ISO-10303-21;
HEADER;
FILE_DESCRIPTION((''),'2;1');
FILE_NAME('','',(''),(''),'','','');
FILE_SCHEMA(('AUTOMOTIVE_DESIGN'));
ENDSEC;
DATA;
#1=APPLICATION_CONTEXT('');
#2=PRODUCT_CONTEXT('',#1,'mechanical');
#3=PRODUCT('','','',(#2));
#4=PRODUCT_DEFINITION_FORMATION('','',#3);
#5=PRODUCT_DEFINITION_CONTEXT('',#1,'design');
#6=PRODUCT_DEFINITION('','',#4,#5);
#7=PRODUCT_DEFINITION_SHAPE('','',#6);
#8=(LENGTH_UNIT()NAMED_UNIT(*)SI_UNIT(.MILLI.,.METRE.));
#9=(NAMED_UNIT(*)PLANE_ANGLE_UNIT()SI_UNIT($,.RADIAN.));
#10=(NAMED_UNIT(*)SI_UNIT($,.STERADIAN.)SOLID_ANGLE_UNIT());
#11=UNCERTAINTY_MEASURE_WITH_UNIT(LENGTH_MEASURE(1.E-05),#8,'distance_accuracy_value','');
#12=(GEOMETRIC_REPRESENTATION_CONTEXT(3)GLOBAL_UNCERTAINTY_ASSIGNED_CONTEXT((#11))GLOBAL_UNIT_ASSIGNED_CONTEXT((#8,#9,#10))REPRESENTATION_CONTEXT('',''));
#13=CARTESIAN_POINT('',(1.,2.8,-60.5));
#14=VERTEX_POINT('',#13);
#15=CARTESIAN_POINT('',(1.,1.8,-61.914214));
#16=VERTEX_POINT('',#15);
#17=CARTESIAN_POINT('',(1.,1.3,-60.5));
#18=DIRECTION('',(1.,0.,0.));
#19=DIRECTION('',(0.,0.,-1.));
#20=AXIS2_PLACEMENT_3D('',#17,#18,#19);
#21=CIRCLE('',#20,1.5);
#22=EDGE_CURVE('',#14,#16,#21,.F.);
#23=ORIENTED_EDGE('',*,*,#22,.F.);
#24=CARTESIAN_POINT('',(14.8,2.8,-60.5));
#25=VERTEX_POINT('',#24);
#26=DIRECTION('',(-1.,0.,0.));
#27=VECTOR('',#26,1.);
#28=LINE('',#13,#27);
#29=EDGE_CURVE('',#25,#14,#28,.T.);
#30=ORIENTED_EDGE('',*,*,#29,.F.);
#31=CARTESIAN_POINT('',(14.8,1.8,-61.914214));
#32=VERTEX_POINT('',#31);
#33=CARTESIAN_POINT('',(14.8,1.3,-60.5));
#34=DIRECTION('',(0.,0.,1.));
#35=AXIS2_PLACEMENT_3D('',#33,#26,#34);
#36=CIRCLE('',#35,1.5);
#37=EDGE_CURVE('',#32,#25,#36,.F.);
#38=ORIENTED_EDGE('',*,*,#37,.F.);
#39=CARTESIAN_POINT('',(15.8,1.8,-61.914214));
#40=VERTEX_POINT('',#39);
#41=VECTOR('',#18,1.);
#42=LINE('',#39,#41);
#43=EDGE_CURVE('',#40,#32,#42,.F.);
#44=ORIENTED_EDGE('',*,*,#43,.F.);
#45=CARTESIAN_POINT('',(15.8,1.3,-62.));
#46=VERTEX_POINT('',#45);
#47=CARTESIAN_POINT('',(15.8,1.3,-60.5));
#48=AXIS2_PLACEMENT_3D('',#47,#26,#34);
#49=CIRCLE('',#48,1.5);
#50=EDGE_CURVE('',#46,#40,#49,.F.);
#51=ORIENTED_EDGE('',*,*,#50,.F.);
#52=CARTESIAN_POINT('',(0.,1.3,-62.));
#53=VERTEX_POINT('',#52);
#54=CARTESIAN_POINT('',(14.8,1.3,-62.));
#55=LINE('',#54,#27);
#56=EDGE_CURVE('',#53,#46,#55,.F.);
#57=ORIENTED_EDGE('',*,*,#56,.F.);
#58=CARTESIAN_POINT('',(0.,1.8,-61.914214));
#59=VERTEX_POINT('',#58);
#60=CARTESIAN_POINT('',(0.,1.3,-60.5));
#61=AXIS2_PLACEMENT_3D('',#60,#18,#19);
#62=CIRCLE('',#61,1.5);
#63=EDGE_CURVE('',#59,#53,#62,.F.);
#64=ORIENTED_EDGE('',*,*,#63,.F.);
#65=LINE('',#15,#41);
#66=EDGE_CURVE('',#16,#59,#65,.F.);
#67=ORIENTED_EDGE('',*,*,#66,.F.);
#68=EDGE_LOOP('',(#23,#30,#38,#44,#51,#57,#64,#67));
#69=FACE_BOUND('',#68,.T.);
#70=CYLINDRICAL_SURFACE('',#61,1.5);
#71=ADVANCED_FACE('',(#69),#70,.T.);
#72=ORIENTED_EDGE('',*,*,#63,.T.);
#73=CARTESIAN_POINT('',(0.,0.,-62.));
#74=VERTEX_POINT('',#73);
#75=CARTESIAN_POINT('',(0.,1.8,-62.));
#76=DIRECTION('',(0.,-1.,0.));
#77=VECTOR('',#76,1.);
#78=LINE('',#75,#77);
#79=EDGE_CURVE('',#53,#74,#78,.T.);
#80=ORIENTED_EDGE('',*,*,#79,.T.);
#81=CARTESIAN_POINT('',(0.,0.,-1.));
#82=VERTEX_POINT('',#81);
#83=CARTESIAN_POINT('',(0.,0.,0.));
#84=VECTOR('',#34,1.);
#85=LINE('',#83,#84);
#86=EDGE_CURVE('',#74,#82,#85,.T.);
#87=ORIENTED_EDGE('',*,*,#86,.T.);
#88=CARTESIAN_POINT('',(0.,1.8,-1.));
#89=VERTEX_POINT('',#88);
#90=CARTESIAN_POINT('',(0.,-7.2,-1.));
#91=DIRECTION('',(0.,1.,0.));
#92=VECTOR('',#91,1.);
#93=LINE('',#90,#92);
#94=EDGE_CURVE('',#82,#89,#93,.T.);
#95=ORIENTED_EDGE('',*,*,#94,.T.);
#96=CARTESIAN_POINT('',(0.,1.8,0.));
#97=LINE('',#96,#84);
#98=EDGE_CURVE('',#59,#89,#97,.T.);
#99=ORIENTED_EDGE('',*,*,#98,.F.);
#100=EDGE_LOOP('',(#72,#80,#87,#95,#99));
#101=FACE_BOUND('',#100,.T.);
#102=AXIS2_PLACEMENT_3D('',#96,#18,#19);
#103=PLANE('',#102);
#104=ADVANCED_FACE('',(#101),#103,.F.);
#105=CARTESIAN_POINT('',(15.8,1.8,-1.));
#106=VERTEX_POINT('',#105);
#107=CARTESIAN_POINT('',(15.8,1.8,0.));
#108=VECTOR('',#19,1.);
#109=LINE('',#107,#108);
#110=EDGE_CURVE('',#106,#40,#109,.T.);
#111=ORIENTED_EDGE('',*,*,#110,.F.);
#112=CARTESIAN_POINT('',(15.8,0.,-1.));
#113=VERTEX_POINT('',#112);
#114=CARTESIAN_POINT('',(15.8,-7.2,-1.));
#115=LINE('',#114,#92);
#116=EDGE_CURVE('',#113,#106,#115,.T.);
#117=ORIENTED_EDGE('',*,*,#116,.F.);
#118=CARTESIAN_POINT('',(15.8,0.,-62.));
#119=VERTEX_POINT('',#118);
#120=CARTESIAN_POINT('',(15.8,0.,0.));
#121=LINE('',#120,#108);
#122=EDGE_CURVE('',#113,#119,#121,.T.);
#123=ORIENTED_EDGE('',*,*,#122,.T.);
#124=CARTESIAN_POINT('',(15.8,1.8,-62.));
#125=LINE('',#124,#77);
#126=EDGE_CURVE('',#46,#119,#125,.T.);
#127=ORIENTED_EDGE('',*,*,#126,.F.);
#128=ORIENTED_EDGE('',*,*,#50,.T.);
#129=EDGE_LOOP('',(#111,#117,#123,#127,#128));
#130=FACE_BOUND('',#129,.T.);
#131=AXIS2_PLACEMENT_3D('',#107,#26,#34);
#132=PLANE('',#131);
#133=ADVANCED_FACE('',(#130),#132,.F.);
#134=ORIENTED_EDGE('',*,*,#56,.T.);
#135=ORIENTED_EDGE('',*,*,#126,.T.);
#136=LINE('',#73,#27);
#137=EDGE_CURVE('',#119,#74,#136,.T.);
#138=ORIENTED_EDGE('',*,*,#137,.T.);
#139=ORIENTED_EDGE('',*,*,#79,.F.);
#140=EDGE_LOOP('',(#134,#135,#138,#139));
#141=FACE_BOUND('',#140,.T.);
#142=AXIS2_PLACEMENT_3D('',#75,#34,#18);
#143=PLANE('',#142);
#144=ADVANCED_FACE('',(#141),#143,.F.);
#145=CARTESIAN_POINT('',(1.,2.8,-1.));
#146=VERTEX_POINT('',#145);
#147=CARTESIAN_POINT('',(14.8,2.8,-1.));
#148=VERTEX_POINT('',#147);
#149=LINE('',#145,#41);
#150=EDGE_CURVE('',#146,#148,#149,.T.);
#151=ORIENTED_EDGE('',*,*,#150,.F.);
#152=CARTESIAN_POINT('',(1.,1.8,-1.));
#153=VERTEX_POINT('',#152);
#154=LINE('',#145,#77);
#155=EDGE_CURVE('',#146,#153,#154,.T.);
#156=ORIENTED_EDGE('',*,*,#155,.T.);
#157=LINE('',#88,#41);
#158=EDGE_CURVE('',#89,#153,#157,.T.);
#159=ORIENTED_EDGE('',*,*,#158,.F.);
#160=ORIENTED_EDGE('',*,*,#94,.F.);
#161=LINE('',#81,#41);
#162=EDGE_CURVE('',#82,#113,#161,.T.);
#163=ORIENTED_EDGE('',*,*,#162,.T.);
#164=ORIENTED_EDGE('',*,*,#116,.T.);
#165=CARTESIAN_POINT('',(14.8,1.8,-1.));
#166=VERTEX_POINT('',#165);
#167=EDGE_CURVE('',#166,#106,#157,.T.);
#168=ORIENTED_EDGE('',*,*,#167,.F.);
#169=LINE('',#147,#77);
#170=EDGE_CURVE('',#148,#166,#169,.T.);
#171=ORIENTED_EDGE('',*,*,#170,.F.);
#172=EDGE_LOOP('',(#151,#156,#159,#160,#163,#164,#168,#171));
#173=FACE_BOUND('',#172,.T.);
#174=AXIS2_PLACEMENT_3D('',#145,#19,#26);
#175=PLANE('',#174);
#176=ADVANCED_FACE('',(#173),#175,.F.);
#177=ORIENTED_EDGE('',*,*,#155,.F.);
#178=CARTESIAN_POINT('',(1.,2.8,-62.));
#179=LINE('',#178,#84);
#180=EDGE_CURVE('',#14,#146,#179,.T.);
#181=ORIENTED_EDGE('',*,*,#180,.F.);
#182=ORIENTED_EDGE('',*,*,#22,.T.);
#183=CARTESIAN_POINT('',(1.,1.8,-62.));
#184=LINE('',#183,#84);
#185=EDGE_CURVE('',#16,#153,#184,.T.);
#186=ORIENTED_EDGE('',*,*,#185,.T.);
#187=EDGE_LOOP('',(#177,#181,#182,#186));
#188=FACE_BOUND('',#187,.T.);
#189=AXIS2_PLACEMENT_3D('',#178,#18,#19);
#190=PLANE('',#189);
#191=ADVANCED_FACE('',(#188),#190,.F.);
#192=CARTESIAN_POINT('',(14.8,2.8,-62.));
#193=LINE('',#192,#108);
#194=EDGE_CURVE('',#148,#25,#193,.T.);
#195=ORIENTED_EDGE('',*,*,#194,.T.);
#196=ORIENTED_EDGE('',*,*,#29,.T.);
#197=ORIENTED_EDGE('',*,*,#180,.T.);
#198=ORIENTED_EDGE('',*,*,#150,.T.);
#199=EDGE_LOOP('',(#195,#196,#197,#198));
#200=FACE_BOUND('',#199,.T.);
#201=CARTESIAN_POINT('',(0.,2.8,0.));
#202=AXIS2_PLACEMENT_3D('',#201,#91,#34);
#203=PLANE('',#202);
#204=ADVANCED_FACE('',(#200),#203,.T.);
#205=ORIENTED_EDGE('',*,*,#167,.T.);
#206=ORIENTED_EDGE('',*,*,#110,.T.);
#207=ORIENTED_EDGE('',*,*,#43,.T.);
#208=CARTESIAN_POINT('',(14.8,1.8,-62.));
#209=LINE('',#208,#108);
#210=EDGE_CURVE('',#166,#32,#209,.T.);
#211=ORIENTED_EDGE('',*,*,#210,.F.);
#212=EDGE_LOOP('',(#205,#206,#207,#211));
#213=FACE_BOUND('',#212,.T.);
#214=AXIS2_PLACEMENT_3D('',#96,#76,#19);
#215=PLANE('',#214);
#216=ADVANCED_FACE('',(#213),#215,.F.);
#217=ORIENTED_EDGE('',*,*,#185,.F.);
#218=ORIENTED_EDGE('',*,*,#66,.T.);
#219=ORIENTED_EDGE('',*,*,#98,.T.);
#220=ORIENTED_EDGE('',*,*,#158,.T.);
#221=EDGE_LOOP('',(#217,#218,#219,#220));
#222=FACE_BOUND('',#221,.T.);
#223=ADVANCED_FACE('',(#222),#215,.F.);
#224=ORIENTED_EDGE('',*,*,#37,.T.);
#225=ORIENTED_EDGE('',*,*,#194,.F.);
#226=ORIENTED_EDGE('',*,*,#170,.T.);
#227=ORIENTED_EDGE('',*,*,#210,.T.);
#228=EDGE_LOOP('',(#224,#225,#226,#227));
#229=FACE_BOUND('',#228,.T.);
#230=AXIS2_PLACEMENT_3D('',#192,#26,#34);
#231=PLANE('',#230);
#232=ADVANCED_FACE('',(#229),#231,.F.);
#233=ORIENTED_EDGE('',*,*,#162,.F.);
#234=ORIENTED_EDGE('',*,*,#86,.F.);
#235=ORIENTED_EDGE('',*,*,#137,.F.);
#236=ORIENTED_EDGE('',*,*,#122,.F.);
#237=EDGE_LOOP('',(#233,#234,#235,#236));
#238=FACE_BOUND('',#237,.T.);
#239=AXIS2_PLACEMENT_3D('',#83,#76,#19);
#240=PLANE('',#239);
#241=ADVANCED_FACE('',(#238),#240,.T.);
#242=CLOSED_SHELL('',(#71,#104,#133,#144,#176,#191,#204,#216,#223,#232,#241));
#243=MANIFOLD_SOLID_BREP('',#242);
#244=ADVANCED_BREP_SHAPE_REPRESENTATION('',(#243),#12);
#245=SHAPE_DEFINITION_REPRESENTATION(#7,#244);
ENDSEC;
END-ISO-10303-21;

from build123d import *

# Parameters (mm, degrees)
ESQUISSE1_W             = 15.8
ESQUISSE1_H             = 62
BOSS_EXTRU_1_DEPTH      = 1.8
ESQUISSE2_W             = 13.8
ESQUISSE2_H             = 61
BOSS_EXTRU_2_DEPTH      = 1
CONG_1_R                = 1.5
ESQUISSE3_W             = 15.8
ESQUISSE3_H             = 1
ENL_V_MAT_EXTRU_1_DEPTH = 10


with BuildPart() as part:
    # Esquisse1 → Boss.-Extru.1 (new body)
    with BuildSketch(Plane(origin=(0, 0, 0), x_dir=(1, 0, 0), z_dir=(0, 1, 0))):
        with Locations((7.9, 31)):
            Rectangle(ESQUISSE1_W, ESQUISSE1_H)
    extrude(amount=BOSS_EXTRU_1_DEPTH)

    # Esquisse2 → Boss.-Extru.2 (add)
    with BuildSketch(Plane(origin=(0, 1.8, 0), x_dir=(1, 0, 0), z_dir=(0, 1, 0))):
        with Locations((7.9, 31.5)):
            Rectangle(ESQUISSE2_W, ESQUISSE2_H)
    extrude(amount=BOSS_EXTRU_2_DEPTH)

    # Congé1
    cong_1_edges = [part.edges().sort_by_distance(p)[0] for p in [
        (7.9, 2.8, -62),
    ]]
    fillet(cong_1_edges, radius=CONG_1_R)

    # Esquisse3 → Enlèv. mat.-Extru.1 (cut)
    with BuildSketch(Plane(origin=(0, 2.8, 0), x_dir=(1, 0, 0), z_dir=(0, 1, 0))):
        with Locations((7.9, 0.5)):
            Rectangle(ESQUISSE3_W, ESQUISSE3_H)
    extrude(amount=-ENL_V_MAT_EXTRU_1_DEPTH, mode=Mode.SUBTRACT)


solid = part.part
